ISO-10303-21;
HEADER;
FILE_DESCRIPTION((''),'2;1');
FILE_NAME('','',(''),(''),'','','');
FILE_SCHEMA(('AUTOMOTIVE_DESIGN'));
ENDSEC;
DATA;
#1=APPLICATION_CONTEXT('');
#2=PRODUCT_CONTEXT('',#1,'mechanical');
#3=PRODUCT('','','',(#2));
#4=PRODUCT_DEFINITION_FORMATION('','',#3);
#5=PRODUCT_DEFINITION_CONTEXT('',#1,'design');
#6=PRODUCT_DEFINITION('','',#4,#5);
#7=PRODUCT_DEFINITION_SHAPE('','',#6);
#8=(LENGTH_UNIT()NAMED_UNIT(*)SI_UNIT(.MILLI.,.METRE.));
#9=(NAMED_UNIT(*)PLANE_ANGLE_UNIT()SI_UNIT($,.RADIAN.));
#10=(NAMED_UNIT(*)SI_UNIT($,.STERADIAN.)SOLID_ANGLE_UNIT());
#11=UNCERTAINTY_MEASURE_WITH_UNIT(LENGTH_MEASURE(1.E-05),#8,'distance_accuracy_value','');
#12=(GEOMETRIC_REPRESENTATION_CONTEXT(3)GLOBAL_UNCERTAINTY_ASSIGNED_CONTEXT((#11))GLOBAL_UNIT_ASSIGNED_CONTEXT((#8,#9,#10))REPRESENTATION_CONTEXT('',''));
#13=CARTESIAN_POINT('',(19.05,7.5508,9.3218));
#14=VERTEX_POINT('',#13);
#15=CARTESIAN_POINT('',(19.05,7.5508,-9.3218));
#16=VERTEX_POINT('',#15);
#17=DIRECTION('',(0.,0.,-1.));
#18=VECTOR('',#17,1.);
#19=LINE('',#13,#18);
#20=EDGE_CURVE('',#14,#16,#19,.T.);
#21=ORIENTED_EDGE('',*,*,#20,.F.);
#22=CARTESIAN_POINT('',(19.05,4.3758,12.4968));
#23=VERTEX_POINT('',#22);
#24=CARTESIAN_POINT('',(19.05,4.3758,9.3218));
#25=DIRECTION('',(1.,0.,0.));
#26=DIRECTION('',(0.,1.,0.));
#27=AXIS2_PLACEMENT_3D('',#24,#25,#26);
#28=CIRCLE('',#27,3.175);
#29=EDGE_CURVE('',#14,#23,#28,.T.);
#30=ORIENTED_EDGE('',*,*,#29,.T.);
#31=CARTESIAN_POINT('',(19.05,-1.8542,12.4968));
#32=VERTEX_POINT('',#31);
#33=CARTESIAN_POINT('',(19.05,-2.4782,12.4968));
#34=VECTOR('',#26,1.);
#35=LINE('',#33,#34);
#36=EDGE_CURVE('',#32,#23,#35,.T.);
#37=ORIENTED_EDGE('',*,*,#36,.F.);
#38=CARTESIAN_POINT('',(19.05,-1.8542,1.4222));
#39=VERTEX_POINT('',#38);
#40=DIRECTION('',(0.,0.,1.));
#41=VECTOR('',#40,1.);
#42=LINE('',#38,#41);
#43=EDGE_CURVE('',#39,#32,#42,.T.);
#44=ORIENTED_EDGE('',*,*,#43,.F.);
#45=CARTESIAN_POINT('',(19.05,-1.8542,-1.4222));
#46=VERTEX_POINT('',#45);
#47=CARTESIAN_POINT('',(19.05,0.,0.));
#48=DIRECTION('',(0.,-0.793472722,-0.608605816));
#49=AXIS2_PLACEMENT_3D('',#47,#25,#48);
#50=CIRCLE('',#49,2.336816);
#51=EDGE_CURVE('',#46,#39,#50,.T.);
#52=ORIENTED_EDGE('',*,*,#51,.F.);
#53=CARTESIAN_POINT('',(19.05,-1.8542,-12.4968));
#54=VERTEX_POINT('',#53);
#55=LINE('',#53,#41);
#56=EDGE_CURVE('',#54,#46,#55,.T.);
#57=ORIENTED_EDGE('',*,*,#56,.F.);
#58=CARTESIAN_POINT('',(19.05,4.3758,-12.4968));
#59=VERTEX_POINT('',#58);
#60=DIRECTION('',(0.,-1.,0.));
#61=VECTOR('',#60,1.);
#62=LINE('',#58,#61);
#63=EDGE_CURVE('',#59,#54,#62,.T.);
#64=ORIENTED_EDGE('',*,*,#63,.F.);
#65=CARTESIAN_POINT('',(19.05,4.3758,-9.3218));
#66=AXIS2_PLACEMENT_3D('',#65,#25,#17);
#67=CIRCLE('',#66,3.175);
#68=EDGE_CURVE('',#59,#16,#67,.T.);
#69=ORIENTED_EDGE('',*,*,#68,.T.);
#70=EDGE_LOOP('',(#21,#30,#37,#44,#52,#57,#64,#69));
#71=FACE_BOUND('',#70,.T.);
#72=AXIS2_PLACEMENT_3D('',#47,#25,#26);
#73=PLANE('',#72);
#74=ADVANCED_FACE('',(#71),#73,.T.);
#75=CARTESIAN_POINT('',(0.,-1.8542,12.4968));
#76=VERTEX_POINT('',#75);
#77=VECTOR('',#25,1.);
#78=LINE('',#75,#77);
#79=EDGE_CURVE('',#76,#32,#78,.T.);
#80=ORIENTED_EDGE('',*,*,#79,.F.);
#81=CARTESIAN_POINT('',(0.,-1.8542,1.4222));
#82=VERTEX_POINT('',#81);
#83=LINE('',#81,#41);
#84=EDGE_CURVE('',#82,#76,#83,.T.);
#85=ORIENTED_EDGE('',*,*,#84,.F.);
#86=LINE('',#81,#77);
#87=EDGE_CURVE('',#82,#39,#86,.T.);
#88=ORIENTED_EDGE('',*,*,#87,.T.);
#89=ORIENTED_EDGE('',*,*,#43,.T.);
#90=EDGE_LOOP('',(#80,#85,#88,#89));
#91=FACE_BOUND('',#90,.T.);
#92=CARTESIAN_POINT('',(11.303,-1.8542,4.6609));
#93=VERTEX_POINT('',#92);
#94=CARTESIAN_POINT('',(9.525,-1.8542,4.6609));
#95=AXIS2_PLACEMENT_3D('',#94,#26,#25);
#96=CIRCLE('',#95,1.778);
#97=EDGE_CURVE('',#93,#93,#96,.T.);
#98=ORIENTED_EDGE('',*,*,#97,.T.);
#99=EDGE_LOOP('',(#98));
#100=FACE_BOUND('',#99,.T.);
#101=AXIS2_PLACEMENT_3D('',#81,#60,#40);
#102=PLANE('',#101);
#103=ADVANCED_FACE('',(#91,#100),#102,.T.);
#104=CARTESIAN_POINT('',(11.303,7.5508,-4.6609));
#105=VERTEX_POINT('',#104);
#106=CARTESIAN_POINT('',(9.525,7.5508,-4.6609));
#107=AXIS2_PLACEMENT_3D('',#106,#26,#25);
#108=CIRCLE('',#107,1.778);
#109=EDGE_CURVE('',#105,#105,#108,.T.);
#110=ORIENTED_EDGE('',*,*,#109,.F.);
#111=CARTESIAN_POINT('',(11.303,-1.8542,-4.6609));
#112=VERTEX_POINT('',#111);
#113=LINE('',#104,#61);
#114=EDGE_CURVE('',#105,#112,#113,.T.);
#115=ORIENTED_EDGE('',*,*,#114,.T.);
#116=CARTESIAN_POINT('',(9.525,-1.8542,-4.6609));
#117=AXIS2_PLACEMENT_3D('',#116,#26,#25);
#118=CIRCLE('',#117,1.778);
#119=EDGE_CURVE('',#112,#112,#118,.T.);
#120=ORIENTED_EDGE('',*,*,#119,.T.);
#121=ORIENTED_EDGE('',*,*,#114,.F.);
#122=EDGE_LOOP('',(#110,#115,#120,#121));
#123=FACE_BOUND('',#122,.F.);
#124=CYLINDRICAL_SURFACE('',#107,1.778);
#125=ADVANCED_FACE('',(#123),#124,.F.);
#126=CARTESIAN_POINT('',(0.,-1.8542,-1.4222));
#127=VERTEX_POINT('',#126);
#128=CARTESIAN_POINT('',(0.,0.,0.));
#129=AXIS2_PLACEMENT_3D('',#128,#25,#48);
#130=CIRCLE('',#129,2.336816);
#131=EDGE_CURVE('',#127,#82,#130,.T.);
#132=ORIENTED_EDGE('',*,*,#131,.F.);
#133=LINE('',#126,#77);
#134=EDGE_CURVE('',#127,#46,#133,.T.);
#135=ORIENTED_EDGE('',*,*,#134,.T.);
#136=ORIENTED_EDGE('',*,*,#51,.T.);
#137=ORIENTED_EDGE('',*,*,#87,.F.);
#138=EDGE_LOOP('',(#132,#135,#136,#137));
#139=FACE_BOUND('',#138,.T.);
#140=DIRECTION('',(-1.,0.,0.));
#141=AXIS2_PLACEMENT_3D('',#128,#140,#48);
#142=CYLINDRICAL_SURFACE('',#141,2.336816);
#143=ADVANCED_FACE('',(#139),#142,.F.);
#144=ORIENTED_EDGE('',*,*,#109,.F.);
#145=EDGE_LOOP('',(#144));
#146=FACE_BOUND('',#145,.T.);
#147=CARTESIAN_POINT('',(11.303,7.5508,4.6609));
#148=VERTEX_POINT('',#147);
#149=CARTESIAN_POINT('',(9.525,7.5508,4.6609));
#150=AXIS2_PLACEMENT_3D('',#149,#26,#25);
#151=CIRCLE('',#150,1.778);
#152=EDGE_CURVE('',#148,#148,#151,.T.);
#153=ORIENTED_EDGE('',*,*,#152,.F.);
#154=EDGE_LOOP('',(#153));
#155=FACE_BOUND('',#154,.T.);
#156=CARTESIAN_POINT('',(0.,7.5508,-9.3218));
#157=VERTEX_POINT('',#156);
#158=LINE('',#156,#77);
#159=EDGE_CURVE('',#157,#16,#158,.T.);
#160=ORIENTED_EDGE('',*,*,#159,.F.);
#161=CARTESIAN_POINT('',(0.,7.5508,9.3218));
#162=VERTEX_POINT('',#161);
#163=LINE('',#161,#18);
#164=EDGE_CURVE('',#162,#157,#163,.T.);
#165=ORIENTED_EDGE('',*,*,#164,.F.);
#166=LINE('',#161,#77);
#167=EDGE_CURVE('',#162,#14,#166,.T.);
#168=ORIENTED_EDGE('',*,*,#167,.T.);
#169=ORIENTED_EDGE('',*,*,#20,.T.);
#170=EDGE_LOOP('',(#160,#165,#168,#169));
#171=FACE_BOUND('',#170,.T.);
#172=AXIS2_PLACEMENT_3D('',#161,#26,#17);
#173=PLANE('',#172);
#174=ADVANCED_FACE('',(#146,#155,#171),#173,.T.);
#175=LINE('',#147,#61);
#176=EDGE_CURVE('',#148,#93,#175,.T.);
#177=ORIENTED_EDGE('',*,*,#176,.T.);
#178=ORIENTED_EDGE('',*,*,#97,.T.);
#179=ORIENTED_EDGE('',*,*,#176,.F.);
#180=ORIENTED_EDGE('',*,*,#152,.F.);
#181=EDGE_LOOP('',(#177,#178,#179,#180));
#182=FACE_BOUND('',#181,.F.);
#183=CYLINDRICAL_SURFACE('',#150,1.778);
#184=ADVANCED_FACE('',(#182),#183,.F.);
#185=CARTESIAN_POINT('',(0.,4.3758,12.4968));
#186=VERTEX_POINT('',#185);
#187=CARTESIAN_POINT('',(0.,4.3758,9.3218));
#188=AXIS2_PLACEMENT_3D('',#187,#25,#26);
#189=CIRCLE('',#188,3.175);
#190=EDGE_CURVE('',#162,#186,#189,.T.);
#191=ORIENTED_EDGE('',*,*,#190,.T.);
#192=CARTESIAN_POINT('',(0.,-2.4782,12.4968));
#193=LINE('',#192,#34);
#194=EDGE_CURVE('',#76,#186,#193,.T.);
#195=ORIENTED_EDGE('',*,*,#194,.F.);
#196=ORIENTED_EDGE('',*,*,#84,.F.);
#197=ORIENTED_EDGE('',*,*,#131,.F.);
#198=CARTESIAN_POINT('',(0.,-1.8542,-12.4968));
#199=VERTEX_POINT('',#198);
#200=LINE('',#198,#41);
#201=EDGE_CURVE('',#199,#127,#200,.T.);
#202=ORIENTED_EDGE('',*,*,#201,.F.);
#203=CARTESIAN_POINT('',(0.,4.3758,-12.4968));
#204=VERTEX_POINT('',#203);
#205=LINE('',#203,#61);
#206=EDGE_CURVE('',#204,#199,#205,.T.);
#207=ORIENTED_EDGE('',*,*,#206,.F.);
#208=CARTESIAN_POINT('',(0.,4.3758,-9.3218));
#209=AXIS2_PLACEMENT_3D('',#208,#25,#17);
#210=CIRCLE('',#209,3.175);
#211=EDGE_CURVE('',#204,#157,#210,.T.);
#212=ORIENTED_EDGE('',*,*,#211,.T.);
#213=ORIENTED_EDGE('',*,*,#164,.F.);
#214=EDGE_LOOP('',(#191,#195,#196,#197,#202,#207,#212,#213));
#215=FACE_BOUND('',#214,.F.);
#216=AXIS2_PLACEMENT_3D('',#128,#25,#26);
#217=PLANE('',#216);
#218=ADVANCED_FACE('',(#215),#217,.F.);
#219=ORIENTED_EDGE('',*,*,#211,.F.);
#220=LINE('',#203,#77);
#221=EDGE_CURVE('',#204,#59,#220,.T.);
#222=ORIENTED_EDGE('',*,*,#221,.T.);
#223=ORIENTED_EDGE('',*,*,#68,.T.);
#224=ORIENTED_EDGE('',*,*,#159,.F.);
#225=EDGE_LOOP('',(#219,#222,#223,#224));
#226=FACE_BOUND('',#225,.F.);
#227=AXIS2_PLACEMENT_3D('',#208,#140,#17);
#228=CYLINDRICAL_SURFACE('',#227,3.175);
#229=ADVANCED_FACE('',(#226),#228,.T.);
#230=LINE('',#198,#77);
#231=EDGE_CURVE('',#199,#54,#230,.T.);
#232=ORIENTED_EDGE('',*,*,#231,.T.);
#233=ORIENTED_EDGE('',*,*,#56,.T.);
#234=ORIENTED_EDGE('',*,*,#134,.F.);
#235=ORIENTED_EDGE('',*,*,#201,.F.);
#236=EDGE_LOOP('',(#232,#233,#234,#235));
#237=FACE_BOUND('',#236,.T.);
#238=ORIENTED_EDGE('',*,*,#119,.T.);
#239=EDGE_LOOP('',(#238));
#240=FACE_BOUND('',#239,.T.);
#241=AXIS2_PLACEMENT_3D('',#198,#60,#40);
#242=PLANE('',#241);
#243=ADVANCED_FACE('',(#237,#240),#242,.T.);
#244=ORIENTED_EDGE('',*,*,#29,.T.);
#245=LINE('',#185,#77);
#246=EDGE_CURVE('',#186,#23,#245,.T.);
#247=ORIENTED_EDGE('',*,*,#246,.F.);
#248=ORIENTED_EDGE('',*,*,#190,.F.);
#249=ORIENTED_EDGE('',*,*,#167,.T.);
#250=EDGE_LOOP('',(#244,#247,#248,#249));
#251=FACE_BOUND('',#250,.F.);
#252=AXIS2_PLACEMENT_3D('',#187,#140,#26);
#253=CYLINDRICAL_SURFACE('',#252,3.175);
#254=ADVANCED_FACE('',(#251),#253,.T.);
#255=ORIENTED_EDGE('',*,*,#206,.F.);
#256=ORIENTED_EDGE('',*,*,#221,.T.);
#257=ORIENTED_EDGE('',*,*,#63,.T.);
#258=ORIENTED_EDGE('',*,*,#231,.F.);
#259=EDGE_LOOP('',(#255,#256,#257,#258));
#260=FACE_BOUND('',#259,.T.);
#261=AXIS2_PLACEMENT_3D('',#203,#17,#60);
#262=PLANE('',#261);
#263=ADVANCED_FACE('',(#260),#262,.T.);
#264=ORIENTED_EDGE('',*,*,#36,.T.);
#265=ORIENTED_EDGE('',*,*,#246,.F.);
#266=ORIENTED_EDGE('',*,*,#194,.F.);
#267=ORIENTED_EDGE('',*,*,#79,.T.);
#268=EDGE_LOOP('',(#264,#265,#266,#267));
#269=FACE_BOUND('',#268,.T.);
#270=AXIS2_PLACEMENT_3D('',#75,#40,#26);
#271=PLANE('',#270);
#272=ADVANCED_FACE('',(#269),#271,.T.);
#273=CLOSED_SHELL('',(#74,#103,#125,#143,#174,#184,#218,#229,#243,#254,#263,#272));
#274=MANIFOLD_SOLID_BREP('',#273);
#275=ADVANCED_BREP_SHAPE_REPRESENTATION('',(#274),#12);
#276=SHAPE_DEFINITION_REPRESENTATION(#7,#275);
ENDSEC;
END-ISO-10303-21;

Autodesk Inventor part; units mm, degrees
ref_plane "YZ Plane" through (0, 0, 0) normal (1, 0, 0) x (0, 1, 0)
ref_plane "XZ Plane" through (0, 0, 0) normal (0, 1, 0) x (-1, 0, 0)
ref_plane "XY Plane" through (0, 0, 0) normal (0, 0, 1) x (1, 0, 0)
sketch "Sketch1" plane through (0, 0, 0) normal (1, 0, 0) x (0, 1, 0)
  arc A0 (-1.8542, -1.4222) -> (-1.8542, 1.4222) centre (0, 0) ccw
  line L0 (-2.4782, 12.4968) -> (4.3758, 12.4968)
  line L1 (7.5508, 9.3218) -> (7.5508, -9.3218)
  line L2 (4.3758, -12.4968) -> (-1.8542, -12.4968)
  line L3 (-1.8542, 12.4968) -> (-2.4782, 12.4968)
  line L4 (2.3368, 0) -> (2.3368, -12.4968) construction
  line L5 (0, 0) -> (3.6666, 0) construction
  line L6 (3.6666, 0) -> (3.6666, 12.4968) construction
  line L7 (3.6666, 0) -> (3.6666, -12.4968) construction
  arc A1 (7.5508, 9.3218) -> (4.3758, 12.4968) centre (4.3758, 9.3218) ccw
  arc A2 (4.3758, -12.4968) -> (7.5508, -9.3218) centre (4.3758, -9.3218) ccw
  line L8 (-1.8542, -12.4968) -> (-1.8542, -1.4222)
  line L9 (-1.8542, 1.4222) -> (-1.8542, 12.4968)
  dimension "d0" = 4.6736
  dimension "d4" = 10.16
  dimension "d5" = 3.175
extrude "Extrusion1" add sketch "Sketch1" along normal blind 19.05
sketch "Sketch2" plane through (0, 7.5508, 9.3218) normal (0, 1, 0) x (1, 0, 0)
  line L0 (0, 18.6436) -> (0, 0) construction
  line L1 (0, 0) -> (19.05, 0) construction
  line L2 (19.05, 18.6436) -> (19.05, 0) construction
  line L3 (0, 18.6436) -> (19.05, 18.6436) construction
  line L4 (0, 9.3218) -> (19.05, 9.3218) construction
  line L5 (9.525, 9.3218) -> (9.525, 18.6436) construction
  line L6 (0, 18.6436) -> (19.05, 18.6436) construction
  line L7 (9.525, 9.3218) -> (9.525, 0) construction
  line L8 (0, 0) -> (19.05, 0) construction
  circle A0 centre (9.525, 13.9827) radius 1.778
  circle A1 centre (9.525, 4.6609) radius 1.778
  dimension "d8" = 3.556
extrude "Extrusion2" cut sketch "Sketch2" against normal blind 19.05
properties part number "axle holder"
